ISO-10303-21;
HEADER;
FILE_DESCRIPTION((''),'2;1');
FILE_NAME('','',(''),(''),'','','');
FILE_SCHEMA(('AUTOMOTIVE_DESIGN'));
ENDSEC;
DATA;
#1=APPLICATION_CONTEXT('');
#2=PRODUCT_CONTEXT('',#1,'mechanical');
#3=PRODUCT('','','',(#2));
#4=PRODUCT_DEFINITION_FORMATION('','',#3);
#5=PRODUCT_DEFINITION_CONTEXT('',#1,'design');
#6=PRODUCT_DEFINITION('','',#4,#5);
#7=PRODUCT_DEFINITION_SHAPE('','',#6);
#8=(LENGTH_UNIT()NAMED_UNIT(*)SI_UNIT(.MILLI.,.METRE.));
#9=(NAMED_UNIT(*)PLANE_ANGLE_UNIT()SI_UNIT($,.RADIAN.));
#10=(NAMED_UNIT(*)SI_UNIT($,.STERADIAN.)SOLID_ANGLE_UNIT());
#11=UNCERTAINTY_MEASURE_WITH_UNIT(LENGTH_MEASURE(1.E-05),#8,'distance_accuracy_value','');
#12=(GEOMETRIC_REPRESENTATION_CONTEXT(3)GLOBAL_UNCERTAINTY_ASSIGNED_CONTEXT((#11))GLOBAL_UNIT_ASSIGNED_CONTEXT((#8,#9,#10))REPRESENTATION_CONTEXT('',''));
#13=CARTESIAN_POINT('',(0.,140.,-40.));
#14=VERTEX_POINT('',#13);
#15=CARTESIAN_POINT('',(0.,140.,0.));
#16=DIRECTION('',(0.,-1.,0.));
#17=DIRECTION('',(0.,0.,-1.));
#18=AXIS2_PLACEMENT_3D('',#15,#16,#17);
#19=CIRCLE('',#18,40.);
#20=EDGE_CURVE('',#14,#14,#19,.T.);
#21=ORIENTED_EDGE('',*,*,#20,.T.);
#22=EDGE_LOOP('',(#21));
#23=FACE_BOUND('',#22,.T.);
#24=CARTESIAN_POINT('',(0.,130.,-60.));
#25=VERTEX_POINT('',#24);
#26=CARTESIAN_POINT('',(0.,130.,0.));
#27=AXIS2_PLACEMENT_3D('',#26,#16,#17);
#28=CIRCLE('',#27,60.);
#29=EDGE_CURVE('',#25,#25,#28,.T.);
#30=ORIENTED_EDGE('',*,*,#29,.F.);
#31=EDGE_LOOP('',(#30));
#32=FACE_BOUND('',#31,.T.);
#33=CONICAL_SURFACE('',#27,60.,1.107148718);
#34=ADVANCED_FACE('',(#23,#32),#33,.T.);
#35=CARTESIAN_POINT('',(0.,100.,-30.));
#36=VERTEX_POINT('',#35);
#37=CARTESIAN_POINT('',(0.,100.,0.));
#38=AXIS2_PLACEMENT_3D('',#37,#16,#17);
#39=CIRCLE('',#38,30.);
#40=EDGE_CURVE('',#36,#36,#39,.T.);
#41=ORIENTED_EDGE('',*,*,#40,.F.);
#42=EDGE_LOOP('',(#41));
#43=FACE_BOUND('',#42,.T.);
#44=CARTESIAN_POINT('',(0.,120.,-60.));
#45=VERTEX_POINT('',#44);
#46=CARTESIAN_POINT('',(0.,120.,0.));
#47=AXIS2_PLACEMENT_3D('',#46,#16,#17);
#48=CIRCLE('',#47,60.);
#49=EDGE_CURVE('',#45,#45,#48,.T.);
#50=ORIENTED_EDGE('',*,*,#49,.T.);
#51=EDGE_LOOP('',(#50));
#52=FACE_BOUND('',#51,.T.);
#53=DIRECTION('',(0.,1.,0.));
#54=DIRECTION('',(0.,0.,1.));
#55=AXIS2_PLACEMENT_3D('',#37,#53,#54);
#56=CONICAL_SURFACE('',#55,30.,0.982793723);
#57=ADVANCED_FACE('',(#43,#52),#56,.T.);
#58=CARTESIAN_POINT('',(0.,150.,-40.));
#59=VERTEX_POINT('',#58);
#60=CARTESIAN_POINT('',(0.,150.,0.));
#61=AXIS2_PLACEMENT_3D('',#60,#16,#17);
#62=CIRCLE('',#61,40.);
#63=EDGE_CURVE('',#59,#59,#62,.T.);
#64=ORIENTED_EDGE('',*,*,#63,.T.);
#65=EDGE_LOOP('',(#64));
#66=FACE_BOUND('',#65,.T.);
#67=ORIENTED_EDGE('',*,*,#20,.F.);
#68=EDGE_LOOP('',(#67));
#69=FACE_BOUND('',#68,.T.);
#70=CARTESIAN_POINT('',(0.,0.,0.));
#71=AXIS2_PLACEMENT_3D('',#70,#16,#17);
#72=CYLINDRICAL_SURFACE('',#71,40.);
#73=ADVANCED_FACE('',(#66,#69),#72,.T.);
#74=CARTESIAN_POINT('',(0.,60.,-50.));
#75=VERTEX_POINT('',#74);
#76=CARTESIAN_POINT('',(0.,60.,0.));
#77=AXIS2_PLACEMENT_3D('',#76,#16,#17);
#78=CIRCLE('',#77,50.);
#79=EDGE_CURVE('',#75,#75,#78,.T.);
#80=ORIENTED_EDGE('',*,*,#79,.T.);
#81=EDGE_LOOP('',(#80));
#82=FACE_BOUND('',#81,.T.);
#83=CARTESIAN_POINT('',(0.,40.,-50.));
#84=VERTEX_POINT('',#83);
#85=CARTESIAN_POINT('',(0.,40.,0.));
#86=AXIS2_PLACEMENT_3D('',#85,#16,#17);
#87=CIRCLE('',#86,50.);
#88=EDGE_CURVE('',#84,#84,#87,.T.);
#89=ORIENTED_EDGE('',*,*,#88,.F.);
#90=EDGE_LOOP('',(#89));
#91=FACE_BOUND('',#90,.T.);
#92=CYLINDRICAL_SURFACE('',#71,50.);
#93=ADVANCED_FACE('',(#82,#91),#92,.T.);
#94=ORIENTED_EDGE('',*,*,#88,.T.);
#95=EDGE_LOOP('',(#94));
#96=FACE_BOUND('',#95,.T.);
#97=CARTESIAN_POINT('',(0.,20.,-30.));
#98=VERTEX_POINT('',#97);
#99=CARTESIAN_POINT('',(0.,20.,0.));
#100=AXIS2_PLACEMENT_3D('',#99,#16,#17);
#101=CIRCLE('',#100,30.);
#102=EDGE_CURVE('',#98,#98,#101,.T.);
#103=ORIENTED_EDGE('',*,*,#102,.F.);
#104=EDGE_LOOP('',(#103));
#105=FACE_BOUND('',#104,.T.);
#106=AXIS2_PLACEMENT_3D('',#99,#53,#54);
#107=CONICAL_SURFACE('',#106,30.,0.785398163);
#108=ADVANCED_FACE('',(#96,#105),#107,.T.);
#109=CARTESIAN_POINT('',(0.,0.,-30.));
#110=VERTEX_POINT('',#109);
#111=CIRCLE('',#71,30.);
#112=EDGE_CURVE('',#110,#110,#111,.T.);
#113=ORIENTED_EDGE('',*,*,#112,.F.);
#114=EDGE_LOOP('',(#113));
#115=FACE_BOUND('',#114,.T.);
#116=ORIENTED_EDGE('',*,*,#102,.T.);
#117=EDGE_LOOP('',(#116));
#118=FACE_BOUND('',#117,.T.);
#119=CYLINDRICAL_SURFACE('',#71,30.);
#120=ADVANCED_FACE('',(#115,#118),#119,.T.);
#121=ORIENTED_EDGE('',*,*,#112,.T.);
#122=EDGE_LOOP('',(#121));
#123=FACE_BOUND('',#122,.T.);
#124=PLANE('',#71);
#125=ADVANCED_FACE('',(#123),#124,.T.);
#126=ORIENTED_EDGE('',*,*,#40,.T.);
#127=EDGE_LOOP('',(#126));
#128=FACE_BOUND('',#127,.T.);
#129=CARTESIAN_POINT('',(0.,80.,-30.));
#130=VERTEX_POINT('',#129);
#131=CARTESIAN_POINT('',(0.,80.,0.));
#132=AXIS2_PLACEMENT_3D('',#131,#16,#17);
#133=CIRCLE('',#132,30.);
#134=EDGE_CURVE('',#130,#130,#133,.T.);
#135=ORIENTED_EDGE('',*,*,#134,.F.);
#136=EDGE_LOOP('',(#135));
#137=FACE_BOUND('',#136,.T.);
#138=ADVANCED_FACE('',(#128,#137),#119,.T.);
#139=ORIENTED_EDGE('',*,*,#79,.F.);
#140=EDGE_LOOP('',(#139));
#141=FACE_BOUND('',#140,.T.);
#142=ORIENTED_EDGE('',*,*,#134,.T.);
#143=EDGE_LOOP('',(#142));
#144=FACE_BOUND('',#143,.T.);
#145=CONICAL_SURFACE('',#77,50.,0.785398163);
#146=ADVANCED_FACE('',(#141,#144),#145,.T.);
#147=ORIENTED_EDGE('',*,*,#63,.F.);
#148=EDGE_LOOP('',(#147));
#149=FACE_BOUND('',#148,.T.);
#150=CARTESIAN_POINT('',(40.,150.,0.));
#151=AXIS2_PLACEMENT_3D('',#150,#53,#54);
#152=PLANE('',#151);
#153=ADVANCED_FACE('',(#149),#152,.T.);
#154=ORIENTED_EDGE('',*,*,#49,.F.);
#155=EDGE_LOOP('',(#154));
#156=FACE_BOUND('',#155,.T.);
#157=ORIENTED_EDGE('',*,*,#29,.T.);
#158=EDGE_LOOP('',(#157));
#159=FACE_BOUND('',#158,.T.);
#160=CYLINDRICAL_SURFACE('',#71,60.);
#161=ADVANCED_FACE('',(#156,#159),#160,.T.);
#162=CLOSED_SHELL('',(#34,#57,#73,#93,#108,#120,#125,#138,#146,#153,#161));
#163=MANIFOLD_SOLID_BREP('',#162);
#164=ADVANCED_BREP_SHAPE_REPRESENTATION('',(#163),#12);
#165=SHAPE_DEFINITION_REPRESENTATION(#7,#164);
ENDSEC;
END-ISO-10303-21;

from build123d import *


with BuildPart() as part:
    # 草图1 → 旋转1 (revolve)
    with BuildSketch(Plane.XY, mode=Mode.PRIVATE) as revolve_1_sk:
        Polygon((30, 0), (30, 20), (50, 40), (50, 60), (30, 80), (30, 100), (60, 120), (60, 130), (40, 140), (40, 150), (0, 150), (0, 0), align=None)
    revolve(revolve_1_sk.sketch.rotate(Axis((0, 0, 0), (0, 1, 0)), 90), axis=Axis((0, 0, 0), (0, 1, 0)))


solid = part.part
